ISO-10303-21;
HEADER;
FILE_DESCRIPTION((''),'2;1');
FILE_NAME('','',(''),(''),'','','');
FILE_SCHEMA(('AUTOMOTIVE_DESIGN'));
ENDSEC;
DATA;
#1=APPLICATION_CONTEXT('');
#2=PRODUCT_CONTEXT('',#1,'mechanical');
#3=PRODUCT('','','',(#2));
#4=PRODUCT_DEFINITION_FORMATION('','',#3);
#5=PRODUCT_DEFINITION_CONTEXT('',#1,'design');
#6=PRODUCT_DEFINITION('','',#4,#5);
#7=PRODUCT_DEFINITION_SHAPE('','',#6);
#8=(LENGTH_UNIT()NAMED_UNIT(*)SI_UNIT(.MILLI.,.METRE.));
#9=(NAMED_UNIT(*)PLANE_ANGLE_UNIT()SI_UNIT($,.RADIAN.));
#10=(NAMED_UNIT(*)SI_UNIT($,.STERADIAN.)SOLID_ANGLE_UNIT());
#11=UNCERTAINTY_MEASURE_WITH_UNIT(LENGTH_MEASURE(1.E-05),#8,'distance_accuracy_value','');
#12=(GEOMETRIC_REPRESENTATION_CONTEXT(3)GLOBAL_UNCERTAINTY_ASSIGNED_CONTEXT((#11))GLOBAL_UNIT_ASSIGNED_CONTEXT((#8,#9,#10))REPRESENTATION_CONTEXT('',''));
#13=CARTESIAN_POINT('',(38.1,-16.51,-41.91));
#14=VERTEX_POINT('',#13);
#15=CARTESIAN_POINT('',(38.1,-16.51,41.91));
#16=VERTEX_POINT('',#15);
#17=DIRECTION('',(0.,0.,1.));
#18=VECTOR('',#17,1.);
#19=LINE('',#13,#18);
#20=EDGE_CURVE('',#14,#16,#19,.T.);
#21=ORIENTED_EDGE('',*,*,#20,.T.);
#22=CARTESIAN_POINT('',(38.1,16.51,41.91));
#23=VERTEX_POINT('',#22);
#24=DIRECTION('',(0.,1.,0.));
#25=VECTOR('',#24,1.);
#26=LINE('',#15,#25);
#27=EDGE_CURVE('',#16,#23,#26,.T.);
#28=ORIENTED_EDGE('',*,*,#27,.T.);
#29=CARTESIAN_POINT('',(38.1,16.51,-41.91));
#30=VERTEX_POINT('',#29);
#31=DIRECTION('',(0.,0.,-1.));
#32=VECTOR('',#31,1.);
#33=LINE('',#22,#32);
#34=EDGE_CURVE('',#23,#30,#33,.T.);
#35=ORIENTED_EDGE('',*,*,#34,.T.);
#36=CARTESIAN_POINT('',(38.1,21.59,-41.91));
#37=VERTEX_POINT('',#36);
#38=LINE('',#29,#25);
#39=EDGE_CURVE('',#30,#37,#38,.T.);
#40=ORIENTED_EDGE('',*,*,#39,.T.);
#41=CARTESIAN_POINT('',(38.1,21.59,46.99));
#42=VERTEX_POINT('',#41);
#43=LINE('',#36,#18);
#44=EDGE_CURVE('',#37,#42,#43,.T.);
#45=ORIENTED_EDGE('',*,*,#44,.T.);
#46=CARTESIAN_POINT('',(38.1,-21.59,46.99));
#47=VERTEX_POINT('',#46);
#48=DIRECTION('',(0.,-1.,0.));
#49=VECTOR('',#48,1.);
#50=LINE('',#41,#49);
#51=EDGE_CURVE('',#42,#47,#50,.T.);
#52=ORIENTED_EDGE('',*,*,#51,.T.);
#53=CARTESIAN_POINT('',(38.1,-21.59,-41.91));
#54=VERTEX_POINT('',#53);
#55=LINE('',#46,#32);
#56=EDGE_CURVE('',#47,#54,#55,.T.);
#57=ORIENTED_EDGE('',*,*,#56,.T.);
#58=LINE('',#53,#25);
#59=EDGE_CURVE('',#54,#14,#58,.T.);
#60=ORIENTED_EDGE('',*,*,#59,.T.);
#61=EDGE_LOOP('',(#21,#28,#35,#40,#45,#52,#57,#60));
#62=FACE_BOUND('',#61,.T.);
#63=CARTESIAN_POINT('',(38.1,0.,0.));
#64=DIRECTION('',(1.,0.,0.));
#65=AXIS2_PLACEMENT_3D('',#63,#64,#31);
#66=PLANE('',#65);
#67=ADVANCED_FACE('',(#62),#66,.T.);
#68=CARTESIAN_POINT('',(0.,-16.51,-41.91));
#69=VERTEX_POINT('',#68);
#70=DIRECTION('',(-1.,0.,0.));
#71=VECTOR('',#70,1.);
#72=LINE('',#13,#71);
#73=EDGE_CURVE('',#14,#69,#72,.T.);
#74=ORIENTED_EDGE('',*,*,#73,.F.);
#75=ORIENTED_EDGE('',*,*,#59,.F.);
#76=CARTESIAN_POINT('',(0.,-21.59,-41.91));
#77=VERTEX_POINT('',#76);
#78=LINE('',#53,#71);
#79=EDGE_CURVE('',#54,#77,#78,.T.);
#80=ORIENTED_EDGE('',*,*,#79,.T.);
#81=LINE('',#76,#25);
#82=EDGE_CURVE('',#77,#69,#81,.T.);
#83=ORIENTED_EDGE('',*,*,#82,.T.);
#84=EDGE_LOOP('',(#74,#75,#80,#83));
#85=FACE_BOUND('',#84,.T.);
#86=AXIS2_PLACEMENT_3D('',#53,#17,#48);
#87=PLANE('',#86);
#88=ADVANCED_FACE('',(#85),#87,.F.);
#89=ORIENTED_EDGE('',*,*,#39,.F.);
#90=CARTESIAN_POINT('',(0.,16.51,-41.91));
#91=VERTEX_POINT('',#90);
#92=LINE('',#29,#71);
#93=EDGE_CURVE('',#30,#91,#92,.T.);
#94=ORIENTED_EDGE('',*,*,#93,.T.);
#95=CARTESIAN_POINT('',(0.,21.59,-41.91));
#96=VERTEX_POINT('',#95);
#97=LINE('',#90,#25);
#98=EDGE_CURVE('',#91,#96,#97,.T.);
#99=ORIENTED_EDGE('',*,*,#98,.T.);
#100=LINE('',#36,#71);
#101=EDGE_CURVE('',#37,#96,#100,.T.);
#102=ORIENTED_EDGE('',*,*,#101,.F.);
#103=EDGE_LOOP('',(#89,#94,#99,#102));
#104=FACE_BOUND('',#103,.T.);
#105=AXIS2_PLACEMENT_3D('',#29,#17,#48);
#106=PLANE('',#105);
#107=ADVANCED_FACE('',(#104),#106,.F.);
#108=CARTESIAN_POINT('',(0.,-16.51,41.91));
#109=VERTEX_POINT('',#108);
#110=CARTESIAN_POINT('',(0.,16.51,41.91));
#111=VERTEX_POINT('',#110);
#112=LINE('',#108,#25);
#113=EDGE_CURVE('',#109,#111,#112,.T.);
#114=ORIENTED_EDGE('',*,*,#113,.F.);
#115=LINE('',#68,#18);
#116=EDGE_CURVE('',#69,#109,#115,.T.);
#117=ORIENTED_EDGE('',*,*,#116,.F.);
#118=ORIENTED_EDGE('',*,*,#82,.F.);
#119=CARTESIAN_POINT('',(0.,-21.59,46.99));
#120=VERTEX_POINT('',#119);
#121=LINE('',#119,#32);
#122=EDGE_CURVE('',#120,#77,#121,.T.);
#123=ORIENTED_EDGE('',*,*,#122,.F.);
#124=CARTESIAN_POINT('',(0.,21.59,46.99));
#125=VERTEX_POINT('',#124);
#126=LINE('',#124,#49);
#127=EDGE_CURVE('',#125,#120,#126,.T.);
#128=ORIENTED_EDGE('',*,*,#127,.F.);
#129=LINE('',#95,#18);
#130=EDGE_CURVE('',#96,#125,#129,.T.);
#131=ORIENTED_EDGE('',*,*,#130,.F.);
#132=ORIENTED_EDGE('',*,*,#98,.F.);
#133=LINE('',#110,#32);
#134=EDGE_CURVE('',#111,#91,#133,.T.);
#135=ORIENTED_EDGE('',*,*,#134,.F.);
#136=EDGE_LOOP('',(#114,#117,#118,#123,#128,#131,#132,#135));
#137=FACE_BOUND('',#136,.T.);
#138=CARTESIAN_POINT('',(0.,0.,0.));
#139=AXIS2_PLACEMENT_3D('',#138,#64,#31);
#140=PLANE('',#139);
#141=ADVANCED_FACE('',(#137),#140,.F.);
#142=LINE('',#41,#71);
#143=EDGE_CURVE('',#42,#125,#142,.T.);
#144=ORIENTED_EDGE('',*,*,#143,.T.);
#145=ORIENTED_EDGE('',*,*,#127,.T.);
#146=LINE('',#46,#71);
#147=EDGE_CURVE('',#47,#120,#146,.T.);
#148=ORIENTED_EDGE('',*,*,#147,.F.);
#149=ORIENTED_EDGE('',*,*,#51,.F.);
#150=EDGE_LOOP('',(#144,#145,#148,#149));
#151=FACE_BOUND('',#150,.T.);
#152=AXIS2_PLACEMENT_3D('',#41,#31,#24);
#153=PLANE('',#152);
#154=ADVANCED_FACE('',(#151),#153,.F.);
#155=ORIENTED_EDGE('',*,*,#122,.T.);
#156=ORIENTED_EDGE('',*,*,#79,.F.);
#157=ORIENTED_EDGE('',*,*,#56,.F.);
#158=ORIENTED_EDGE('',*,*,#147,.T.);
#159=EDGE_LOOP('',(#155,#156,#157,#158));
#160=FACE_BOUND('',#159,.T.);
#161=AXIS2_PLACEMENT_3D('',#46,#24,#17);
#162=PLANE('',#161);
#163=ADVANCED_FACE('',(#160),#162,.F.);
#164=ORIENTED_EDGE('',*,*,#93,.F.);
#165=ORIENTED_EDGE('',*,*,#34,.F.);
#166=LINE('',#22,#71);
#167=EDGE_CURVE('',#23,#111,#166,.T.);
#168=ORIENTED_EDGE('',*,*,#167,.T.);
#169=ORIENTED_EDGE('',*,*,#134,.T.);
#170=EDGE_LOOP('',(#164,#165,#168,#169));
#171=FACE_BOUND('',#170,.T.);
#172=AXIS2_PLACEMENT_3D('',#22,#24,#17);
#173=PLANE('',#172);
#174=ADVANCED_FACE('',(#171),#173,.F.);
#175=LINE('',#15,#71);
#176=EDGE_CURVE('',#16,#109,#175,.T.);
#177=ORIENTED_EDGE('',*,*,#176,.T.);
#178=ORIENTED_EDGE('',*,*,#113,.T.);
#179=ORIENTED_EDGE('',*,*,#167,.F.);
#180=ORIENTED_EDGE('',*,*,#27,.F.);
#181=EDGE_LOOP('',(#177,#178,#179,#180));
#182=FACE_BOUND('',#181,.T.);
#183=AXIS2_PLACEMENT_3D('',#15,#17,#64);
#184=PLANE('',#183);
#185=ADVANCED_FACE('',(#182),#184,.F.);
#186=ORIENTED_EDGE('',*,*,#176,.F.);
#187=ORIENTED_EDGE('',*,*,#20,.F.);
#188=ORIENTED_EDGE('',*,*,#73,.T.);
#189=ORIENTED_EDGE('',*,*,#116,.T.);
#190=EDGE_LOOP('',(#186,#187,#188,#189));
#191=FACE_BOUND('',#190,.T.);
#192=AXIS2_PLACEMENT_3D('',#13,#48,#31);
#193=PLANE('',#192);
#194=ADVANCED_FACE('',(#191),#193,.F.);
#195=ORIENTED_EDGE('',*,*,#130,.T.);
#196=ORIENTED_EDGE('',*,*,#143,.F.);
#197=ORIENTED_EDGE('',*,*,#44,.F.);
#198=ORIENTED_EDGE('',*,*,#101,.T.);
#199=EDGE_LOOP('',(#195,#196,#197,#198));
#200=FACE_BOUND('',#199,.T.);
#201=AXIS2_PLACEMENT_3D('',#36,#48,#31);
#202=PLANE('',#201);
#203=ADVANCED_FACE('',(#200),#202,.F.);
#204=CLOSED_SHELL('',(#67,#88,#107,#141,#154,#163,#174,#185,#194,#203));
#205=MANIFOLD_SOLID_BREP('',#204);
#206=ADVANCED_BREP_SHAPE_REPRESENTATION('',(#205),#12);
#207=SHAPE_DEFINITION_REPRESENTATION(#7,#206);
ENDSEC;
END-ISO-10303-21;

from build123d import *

# Parameters (mm, degrees)
BOSS_EXTRUDE1_DEPTH = 38.1


with BuildPart() as part:
    # Sketch1 → Boss-Extrude1 (new body)
    with BuildSketch(Plane.YZ):
        Polygon((-16.51, -41.91), (-16.51, 41.91), (16.51, 41.91), (16.51, -41.91), (21.59, -41.91), (21.59, 46.99), (-21.59, 46.99), (-21.59, -41.91), align=None)
    extrude(amount=BOSS_EXTRUDE1_DEPTH)


solid = part.part
